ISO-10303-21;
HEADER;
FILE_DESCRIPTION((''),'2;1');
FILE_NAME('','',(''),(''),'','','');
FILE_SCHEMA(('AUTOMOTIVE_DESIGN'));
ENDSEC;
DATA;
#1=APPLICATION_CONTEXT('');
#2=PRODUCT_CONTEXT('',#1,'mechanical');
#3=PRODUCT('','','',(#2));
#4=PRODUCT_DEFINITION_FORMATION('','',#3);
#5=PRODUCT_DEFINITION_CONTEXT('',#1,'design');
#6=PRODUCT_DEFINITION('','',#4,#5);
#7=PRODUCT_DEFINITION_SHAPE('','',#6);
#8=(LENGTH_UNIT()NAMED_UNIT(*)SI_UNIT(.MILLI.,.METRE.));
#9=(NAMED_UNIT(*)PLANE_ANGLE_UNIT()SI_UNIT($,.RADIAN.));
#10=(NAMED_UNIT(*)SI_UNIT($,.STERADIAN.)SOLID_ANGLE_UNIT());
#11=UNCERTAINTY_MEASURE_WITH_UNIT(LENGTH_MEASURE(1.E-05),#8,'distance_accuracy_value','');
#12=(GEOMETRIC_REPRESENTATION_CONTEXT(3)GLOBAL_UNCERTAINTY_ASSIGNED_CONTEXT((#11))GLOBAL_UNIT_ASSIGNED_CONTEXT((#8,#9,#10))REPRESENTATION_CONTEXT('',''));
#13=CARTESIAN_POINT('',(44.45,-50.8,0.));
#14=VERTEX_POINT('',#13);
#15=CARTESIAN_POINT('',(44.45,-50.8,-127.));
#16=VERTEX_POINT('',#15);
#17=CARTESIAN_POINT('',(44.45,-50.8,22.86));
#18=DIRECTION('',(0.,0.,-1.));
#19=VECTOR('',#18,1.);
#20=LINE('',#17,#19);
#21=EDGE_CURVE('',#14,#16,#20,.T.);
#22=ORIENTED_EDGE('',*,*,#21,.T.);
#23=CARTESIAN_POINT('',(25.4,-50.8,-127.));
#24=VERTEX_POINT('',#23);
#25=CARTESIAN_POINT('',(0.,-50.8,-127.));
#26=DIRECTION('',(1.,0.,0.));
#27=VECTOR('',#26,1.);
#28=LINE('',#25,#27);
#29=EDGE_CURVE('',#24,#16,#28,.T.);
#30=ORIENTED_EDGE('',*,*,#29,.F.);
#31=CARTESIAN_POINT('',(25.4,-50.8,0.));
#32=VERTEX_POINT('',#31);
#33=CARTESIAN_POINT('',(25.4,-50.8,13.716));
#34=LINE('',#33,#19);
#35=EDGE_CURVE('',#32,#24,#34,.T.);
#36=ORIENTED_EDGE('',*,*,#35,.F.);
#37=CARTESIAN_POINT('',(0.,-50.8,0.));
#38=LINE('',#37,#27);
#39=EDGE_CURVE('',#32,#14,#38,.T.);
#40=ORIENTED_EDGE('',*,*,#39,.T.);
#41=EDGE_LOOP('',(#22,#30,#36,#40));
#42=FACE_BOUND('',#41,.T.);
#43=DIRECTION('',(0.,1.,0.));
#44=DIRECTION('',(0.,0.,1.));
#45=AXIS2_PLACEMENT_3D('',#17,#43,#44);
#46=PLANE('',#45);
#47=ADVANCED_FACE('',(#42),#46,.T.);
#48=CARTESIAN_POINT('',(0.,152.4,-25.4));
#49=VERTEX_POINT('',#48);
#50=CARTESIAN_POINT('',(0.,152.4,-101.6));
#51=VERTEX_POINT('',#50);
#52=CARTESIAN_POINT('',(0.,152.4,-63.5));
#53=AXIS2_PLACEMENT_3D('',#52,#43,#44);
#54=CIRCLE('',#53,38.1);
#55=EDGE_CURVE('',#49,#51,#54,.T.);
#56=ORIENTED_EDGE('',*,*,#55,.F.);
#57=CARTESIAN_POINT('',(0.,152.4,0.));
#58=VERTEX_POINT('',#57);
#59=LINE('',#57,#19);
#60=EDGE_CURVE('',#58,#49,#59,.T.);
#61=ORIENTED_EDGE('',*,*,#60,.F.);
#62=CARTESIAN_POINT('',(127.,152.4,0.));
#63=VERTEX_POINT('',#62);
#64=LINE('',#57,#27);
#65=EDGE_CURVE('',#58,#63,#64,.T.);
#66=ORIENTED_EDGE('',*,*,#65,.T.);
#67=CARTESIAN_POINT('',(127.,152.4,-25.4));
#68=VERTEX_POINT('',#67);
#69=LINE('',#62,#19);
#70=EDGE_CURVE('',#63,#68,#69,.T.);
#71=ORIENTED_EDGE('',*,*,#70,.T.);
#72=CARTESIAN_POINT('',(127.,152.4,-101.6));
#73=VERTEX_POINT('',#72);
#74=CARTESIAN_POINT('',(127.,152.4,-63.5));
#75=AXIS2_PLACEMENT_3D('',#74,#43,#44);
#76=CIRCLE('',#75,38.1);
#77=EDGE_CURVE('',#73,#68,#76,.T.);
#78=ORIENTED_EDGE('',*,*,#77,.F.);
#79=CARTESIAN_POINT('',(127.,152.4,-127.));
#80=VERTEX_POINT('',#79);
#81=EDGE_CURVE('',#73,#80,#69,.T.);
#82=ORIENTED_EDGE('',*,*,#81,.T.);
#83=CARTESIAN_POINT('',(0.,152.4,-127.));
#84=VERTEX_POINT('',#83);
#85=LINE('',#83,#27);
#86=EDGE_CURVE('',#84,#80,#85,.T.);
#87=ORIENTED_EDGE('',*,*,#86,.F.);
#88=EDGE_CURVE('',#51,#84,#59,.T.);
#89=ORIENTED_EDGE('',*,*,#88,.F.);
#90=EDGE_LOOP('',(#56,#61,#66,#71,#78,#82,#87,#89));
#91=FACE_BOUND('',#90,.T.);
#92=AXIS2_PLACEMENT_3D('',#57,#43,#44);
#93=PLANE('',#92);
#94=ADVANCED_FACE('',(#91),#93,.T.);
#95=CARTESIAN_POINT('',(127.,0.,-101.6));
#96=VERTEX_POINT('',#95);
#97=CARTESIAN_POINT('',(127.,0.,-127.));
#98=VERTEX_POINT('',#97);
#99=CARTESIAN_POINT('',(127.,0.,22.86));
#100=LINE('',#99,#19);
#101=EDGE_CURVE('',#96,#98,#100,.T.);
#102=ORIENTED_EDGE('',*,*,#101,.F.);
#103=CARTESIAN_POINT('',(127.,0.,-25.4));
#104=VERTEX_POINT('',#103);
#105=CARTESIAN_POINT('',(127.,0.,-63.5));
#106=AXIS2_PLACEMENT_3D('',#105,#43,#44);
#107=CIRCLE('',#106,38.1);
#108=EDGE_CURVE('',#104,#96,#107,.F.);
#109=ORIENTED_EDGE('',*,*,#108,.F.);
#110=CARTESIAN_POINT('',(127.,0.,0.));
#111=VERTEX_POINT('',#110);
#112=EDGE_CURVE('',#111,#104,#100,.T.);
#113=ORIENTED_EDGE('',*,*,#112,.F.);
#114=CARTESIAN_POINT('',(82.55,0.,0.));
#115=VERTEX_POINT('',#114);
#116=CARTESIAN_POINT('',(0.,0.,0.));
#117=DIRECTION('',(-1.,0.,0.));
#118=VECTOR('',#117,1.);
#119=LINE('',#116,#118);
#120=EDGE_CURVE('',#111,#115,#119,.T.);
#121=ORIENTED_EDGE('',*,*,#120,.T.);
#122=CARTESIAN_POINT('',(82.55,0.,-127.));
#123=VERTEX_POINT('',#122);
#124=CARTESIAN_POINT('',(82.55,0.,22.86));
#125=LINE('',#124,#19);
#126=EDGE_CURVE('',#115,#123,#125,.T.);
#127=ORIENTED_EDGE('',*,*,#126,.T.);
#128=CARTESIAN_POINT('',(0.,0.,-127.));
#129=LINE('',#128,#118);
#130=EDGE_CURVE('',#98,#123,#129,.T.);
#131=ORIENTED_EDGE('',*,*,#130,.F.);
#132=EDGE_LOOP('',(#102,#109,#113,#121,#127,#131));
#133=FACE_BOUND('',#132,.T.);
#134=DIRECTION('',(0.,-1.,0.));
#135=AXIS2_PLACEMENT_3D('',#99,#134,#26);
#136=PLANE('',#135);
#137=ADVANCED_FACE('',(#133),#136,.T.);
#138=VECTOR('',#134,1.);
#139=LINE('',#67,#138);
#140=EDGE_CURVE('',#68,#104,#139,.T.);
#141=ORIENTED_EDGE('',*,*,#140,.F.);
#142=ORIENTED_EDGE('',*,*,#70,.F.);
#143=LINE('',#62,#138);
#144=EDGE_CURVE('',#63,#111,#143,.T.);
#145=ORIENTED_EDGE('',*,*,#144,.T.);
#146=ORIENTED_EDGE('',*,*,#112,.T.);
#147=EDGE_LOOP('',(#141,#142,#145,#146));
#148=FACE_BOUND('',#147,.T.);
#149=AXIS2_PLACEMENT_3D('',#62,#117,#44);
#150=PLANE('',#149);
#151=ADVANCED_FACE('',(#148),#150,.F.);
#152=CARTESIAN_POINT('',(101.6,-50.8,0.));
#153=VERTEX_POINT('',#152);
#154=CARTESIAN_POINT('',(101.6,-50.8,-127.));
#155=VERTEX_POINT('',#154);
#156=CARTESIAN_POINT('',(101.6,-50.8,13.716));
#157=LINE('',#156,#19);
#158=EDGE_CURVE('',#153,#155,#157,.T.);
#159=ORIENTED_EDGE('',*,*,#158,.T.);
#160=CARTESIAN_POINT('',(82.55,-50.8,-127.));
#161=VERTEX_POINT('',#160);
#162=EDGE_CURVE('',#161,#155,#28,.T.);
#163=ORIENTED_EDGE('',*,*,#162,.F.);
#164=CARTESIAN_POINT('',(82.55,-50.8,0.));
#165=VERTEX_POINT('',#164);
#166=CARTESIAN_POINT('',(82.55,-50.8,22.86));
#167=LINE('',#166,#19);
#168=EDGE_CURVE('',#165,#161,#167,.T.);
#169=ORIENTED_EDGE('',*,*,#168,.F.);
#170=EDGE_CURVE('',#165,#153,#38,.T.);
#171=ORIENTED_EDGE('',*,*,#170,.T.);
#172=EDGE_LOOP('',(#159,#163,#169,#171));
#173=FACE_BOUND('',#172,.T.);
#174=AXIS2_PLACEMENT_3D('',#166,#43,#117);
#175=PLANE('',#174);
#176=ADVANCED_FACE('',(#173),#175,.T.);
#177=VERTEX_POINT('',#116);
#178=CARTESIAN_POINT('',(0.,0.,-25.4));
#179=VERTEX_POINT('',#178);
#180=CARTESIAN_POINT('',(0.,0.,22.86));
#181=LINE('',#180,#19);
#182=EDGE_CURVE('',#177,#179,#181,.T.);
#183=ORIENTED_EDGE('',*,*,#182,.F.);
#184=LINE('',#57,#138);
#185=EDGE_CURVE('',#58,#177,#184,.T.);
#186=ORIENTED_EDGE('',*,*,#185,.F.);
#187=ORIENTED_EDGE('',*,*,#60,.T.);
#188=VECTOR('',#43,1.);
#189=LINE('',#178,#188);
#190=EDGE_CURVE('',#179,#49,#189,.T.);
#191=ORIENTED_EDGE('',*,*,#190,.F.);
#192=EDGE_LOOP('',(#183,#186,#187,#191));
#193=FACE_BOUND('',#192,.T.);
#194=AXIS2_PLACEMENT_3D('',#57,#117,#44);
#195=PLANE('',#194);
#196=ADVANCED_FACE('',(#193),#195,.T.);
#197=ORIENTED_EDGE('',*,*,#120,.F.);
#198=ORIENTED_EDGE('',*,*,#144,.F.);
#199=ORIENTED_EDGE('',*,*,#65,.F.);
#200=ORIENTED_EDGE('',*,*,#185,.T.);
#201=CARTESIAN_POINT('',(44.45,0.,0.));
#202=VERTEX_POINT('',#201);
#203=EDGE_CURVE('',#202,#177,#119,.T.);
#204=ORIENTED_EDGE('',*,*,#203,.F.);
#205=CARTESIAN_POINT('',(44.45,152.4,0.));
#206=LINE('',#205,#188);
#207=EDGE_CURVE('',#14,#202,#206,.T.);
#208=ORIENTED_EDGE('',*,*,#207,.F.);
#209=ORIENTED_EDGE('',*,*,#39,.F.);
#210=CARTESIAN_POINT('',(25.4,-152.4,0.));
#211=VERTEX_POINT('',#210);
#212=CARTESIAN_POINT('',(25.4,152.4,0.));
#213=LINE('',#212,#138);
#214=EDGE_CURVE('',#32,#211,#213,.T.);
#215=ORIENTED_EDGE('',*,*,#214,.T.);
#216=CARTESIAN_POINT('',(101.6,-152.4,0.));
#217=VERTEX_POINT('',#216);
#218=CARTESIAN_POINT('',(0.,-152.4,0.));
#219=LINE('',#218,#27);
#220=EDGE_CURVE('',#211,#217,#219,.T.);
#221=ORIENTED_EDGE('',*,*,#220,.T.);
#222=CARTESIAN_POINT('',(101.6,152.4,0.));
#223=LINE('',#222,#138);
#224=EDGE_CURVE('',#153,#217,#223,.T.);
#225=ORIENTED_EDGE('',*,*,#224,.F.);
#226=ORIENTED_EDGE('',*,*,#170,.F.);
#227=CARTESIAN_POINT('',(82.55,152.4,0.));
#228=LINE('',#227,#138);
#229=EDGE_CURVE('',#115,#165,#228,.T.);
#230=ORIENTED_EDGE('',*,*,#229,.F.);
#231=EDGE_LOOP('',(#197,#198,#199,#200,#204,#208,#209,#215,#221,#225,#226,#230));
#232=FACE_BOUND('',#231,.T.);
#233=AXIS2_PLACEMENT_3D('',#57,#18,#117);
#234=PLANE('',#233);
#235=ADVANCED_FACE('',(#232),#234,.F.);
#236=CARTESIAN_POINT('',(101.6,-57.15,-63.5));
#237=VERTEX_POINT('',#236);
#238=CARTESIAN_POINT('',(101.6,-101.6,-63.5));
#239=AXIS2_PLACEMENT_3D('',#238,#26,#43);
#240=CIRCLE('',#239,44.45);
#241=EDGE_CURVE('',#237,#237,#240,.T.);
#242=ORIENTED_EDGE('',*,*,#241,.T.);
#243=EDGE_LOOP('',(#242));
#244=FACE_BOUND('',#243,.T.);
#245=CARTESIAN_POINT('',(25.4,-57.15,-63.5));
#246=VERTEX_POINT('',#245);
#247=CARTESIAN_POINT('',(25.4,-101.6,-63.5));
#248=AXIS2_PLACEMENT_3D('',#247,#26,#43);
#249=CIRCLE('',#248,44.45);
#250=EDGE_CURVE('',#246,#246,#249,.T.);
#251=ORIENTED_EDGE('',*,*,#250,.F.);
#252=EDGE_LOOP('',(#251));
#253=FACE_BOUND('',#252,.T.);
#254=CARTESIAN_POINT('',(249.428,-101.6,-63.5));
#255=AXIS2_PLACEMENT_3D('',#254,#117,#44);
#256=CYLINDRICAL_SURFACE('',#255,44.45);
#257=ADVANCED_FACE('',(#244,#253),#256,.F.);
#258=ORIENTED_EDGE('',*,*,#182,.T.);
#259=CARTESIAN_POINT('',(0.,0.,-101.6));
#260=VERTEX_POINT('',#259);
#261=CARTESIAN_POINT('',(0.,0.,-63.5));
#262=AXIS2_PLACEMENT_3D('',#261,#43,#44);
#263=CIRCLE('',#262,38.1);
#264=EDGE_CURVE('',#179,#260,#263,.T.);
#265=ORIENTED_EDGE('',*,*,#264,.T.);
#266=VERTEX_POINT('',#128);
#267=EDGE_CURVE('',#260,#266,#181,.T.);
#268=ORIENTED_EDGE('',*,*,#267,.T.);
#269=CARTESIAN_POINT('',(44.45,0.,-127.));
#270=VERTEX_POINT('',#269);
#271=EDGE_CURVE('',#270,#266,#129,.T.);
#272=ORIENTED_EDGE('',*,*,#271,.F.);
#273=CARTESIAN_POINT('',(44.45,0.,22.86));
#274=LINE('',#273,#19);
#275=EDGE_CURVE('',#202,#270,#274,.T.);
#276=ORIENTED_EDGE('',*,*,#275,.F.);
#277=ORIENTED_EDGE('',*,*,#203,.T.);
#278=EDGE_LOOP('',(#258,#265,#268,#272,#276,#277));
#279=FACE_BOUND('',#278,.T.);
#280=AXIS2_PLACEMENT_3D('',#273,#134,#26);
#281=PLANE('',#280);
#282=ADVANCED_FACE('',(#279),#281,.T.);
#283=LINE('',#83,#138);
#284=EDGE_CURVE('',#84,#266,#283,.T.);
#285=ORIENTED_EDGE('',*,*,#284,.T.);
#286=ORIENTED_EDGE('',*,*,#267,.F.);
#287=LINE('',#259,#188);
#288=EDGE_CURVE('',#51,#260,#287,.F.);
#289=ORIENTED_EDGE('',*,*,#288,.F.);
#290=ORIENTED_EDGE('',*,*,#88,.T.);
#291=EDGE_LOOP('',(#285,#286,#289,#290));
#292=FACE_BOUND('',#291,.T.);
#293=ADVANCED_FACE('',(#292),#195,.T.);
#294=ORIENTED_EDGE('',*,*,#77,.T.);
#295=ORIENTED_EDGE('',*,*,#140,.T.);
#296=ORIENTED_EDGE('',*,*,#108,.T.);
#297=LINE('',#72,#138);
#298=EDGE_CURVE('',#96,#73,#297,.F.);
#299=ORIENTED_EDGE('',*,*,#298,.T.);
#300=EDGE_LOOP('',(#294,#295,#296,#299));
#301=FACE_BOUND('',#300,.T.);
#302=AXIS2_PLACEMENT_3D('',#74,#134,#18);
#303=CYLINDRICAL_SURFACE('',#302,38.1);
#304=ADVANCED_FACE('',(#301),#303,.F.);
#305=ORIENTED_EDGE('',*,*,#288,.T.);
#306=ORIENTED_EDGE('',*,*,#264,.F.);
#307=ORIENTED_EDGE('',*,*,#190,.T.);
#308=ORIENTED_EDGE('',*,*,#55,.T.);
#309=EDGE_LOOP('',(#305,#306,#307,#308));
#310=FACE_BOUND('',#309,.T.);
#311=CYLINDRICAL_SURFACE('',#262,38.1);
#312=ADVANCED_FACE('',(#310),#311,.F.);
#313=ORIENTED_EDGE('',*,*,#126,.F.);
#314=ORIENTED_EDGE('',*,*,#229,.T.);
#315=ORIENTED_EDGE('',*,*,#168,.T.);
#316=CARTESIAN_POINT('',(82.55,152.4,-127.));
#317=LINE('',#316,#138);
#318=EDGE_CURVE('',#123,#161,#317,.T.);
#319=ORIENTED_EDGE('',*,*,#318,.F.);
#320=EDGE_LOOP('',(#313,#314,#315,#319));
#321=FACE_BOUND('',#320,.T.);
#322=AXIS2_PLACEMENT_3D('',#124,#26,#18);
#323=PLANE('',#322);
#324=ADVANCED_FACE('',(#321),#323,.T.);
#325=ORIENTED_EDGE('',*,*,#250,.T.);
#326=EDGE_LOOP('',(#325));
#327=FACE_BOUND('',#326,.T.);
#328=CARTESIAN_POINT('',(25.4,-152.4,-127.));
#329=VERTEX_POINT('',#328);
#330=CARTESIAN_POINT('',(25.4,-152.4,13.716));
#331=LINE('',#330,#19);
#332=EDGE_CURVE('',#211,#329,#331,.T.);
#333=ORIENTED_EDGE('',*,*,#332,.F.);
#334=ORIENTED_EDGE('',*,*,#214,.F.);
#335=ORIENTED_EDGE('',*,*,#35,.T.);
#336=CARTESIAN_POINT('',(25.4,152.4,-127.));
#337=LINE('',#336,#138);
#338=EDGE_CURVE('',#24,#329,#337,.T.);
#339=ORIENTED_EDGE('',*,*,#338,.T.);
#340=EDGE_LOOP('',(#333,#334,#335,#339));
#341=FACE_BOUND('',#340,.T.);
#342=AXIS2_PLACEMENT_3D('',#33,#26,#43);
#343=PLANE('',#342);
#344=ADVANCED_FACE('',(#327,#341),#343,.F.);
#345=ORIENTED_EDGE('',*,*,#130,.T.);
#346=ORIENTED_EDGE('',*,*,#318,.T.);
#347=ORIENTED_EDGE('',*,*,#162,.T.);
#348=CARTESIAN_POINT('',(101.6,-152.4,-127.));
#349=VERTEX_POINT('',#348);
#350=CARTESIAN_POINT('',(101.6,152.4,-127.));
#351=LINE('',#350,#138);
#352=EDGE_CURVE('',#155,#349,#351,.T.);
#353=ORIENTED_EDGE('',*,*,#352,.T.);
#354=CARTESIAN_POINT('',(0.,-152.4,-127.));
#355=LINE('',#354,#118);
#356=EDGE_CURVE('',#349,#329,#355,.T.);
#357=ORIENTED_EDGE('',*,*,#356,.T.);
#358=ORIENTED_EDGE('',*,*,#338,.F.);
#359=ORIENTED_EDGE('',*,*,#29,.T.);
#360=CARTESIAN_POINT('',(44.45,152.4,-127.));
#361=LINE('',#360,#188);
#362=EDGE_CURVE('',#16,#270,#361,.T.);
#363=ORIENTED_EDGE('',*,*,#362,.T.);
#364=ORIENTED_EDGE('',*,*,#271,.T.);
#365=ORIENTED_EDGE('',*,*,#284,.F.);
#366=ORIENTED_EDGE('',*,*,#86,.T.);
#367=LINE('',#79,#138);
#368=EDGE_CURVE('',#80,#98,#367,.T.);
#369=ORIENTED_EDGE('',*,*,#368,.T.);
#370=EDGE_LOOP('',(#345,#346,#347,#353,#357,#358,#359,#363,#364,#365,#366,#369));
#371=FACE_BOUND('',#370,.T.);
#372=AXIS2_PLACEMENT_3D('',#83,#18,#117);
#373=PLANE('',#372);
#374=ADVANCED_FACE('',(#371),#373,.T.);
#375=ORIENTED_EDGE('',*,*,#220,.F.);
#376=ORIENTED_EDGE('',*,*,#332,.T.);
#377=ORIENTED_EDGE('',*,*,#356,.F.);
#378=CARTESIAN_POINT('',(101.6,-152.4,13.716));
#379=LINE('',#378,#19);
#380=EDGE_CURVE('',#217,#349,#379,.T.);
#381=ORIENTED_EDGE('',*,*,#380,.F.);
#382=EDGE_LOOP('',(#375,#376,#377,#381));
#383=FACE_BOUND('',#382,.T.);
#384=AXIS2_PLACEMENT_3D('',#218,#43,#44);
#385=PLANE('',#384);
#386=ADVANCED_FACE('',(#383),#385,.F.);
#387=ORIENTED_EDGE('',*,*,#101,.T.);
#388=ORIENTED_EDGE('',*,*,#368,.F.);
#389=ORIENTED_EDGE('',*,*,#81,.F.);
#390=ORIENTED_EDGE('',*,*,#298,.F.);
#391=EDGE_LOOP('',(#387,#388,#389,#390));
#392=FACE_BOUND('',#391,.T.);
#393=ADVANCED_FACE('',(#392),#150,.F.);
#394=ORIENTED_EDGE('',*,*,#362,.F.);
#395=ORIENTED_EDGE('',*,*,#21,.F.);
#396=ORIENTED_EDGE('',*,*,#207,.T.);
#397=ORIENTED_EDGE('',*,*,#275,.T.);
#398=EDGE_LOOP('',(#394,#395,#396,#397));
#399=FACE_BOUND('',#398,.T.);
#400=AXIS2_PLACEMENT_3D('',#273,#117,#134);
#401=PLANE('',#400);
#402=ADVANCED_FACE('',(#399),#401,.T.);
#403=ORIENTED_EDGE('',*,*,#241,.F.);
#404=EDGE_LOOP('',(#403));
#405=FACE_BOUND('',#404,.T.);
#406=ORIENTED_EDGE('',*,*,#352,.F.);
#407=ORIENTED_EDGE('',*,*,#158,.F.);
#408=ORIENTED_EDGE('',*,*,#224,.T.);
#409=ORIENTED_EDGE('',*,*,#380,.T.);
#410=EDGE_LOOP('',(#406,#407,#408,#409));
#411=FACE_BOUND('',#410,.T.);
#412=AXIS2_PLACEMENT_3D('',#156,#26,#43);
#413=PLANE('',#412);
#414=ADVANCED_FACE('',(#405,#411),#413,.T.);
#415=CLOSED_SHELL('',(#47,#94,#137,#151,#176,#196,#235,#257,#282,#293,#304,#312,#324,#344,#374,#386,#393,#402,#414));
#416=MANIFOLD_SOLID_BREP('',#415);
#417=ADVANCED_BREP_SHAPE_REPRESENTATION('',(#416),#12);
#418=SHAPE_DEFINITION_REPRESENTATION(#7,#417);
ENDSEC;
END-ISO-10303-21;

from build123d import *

# Parameters (mm, degrees)
SKETCH1_W               = 127
SKETCH1_H               = 127
BOSS_EXTRUDE1_DEPTH     = 152.4
SKETCH2_R               = 31.172448383
SKETCH2_R_2             = 38.1
CUT_EXTRUDE1_DEPTH      = 152.4
CUT_EXTRUDE1_DEPTH_BACK = 152.4
SKETCH3_W               = 127
SKETCH3_H               = 127
BOSS_EXTRUDE2_DEPTH     = 152.4
CUT_EXTRUDE_THIN3_DEPTH = 152.4
SKETCH6_R               = 44.45
CUT_EXTRUDE6_DEPTH      = 249.428
CUT_EXTRUDE6_DEPTH_BACK = 249.428
SKETCH7_W               = 25.4
SKETCH7_H               = 101.6
CUT_EXTRUDE8_DEPTH      = 143.256
SKETCH9_R               = 38.1
CUT_EXTRUDE9_DEPTH      = 152.4


with BuildPart() as part:
    # Sketch1 → Boss-Extrude1 (new body)
    with BuildSketch(Plane(origin=(0, 0, 0), x_dir=(1, 0, 0), z_dir=(0, 1, 0))):
        with Locations((63.5, 63.5)):
            Rectangle(SKETCH1_W, SKETCH1_H)
    extrude(amount=BOSS_EXTRUDE1_DEPTH)

    # Sketch2 → Cut-Extrude1 (cut, two sides)
    with BuildSketch(Plane(origin=(0, 0, 0), x_dir=(1, 0, 0), z_dir=(0, 1, 0))) as cut_extrude1_sk:
        with Locations((0, 63.5)):
            Circle(SKETCH2_R)
        with Locations((127, 63.5)):
            Circle(SKETCH2_R_2)
    extrude(amount=CUT_EXTRUDE1_DEPTH, mode=Mode.SUBTRACT)
    extrude(cut_extrude1_sk.sketch, amount=-CUT_EXTRUDE1_DEPTH_BACK, mode=Mode.SUBTRACT)

    # Sketch3 → Boss-Extrude2 (add)
    with BuildSketch(Plane(origin=(0, 0, 0), x_dir=(1, 0, 0), z_dir=(0, 1, 0))):
        with Locations((63.5, 63.5)):
            Rectangle(SKETCH3_W, SKETCH3_H)
    extrude(amount=-BOSS_EXTRUDE2_DEPTH)

    # Sketch5 → Cut-Extrude-Thin3 (cut)
    with BuildSketch(Plane(origin=(0, 0, -129.54), x_dir=(-1, 0, 0), z_dir=(0, 0, -1))):
        Polygon((-127, 0), (-82.55, 0), (-82.55, -50.8), (-127, -50.8), (-127, -48.26), (-85.09, -48.26), (-85.09, -2.54), (-127, -2.54), align=None)
        Polygon((0, -50.8), (-44.45, -50.8), (-44.45, 0), (0, 0), (0, -2.54), (-41.91, -2.54), (-41.91, -48.26), (0, -48.26), align=None)
    extrude(amount=-CUT_EXTRUDE_THIN3_DEPTH, mode=Mode.SUBTRACT)


with BuildPart() as body_2:
    # of the pieces the cut leaves, the one that is kept (cut_extrude_thin3_keep)
    add(part.part.solids().sort_by_distance((0, 152.4, 0))[0])

    # Sketch6 → Cut-Extrude6 (cut, two sides)
    with BuildSketch(Plane(origin=(0, 0, 0), x_dir=(0, 0, -1), z_dir=(1, 0, 0))) as cut_extrude6_sk:
        with Locations(Location((63.5, -101.6, 0), (0, 0, 180))):
            Circle(SKETCH6_R)
    extrude(amount=CUT_EXTRUDE6_DEPTH, mode=Mode.SUBTRACT)
    extrude(cut_extrude6_sk.sketch, amount=-CUT_EXTRUDE6_DEPTH_BACK, mode=Mode.SUBTRACT)

    # Sketch7 → Cut-Extrude8 (cut)
    with BuildSketch(Plane(origin=(0, 0, -129.54), x_dir=(-1, 0, 0), z_dir=(0, 0, -1))):
        with Locations((-114.3, -101.6)):
            Rectangle(SKETCH7_W, SKETCH7_H)
        with Locations((-12.7, -101.6)):
            Rectangle(SKETCH7_W, SKETCH7_H)
    extrude(amount=-CUT_EXTRUDE8_DEPTH, mode=Mode.SUBTRACT)

    # Sketch9 → Cut-Extrude9 (cut)
    with BuildSketch(Plane(origin=(0, 152.4, 0), x_dir=(1, 0, 0), z_dir=(0, 1, 0))):
        with Locations((0, 63.5)):
            Circle(SKETCH9_R)
    extrude(amount=-CUT_EXTRUDE9_DEPTH, mode=Mode.SUBTRACT)


solid = body_2.part
